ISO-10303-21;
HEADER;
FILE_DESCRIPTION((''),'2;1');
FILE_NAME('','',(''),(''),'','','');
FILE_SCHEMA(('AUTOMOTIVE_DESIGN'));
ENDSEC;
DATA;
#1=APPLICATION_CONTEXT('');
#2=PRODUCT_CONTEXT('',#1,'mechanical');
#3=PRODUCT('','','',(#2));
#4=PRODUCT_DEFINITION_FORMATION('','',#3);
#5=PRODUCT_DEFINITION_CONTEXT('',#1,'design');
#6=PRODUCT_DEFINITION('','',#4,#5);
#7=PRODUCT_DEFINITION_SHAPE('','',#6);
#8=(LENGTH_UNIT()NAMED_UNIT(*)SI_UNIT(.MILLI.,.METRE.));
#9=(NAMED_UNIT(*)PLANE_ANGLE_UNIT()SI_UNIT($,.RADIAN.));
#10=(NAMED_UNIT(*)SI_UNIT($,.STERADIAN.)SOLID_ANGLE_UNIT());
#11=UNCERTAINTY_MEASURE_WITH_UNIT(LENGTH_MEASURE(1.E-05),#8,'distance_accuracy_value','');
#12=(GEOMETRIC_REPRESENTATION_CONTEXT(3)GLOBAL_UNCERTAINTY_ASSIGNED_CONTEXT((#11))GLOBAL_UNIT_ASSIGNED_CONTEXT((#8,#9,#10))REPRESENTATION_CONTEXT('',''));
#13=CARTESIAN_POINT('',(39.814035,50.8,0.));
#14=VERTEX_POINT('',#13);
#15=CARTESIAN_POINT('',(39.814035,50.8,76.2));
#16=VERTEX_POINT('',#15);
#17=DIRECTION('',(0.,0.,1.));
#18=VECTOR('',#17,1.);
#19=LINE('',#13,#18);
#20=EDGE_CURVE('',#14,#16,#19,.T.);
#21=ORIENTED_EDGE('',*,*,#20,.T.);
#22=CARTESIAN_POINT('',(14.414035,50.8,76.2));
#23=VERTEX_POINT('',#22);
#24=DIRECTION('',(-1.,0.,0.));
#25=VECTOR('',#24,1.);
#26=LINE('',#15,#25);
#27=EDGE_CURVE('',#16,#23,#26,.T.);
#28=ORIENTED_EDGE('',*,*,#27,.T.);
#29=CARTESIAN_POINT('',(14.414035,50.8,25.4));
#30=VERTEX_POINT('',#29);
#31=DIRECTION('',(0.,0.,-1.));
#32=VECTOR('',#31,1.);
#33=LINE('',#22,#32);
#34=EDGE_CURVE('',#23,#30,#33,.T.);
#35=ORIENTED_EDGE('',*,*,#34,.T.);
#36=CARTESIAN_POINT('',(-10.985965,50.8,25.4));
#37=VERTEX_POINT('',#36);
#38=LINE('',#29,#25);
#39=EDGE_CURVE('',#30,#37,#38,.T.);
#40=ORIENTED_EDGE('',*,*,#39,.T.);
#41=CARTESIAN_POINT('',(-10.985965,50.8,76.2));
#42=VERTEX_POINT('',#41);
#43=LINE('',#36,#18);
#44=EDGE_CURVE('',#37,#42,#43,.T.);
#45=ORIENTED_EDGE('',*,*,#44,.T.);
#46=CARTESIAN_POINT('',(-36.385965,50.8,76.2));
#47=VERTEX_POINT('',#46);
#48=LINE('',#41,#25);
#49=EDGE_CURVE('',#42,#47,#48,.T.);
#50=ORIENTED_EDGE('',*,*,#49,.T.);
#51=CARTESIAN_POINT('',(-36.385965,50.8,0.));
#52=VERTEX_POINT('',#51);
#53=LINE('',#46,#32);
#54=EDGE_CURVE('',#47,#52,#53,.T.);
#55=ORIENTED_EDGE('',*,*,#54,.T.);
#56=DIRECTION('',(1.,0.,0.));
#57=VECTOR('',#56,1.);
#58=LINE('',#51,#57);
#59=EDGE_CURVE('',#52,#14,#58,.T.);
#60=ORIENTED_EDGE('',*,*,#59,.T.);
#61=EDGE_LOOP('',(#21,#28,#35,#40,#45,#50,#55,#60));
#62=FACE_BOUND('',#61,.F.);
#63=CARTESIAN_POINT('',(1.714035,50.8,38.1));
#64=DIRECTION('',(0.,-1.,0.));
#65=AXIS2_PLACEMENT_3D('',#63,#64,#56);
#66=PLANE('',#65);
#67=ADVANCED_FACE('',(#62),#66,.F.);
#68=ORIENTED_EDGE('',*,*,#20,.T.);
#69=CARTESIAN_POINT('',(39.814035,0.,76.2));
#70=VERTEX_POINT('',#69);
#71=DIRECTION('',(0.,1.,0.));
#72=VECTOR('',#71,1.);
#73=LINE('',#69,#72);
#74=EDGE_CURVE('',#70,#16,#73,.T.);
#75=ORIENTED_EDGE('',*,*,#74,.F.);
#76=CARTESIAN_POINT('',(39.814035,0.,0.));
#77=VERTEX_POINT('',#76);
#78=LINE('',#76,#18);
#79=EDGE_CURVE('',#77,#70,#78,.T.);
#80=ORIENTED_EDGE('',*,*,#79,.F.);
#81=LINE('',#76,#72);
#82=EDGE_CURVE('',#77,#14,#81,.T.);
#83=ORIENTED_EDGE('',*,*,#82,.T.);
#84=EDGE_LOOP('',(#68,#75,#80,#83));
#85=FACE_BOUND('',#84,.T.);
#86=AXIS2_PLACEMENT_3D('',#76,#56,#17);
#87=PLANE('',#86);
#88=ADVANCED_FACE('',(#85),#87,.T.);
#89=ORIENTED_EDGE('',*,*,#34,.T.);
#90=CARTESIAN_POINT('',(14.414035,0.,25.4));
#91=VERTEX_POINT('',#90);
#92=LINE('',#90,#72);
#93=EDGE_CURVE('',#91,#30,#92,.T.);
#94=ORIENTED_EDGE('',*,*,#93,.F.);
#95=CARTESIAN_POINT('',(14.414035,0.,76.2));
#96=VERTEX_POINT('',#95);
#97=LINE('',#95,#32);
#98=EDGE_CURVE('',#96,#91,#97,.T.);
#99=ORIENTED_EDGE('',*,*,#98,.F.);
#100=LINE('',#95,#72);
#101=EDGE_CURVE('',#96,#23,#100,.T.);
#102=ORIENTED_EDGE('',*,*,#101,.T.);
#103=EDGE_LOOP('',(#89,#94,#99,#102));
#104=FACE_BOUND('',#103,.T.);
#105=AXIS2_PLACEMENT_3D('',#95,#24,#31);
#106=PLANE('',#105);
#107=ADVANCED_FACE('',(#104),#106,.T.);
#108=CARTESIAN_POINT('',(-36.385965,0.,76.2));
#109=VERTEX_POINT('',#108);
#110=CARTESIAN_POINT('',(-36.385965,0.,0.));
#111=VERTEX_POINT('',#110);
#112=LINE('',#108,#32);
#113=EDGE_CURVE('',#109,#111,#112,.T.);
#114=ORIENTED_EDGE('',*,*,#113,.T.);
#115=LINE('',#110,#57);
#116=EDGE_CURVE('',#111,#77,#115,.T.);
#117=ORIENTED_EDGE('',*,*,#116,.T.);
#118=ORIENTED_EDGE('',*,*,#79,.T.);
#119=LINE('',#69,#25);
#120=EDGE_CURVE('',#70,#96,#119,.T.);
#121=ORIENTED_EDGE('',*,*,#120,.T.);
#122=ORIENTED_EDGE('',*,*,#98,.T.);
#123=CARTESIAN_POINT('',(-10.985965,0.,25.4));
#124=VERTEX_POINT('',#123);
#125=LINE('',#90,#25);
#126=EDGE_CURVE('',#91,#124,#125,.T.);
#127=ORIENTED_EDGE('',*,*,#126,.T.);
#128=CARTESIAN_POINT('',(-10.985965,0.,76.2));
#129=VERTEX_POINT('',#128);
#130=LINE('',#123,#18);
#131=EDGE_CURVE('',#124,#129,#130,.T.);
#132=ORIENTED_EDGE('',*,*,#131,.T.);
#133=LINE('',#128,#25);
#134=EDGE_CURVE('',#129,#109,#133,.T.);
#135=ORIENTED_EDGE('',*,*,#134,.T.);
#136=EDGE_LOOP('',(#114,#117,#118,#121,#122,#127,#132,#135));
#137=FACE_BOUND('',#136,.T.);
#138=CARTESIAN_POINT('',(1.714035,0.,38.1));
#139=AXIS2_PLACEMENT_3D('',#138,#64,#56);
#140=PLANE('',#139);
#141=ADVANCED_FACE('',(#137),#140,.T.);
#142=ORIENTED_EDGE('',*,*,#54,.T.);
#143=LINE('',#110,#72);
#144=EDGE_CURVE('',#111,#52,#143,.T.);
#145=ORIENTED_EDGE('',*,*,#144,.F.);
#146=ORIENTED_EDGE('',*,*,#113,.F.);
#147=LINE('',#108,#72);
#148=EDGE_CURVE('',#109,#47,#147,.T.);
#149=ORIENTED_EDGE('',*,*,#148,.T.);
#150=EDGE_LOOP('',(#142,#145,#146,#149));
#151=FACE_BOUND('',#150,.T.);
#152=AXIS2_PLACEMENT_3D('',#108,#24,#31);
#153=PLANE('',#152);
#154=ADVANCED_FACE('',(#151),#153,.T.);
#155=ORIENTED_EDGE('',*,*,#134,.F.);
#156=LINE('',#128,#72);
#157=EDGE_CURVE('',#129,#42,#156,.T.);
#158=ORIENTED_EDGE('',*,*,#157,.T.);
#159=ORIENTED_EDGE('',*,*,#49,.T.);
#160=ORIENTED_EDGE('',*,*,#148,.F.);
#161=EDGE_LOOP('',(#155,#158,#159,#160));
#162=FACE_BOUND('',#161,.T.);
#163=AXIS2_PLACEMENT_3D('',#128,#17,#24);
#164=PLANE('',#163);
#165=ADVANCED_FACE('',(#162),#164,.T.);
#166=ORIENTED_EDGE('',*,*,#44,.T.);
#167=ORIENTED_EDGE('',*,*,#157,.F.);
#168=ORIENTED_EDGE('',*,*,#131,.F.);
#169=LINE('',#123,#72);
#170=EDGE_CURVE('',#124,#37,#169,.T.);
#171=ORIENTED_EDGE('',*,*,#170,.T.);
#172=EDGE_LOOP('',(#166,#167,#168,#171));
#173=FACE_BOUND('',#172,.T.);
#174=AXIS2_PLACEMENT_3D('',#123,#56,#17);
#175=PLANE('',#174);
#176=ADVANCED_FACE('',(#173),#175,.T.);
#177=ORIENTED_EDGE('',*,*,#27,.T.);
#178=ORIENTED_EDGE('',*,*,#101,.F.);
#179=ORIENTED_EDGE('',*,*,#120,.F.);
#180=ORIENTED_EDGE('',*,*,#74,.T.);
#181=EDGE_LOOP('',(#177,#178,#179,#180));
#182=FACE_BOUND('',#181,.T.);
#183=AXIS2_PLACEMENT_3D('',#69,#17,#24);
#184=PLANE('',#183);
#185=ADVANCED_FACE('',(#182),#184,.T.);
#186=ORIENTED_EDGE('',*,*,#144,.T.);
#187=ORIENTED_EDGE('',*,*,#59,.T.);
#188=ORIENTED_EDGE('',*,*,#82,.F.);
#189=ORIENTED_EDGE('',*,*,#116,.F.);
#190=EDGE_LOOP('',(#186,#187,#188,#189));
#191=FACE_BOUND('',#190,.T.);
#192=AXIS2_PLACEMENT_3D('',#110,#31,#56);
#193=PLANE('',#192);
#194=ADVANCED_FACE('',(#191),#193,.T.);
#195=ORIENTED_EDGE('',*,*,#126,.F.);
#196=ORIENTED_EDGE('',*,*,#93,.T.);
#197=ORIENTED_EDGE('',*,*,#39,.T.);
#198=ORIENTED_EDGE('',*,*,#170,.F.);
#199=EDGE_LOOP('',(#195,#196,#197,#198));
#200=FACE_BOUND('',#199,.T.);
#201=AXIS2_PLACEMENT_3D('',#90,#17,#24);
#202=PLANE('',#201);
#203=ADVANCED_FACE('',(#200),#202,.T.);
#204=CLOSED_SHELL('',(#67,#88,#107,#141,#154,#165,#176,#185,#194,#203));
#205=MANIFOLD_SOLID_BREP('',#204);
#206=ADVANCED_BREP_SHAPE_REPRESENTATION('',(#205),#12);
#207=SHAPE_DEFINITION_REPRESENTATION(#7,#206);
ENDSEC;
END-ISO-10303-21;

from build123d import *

# Parameters (mm, degrees)
F1_DEPTH = 50.8


with BuildPart() as f1:
    # F0 (on Front) → F1 (new body)
    with BuildSketch(Plane.XZ):
        Polygon((-36.385965, 0), (39.814035, 0), (39.814035, 76.2), (14.414035, 76.2), (14.414035, 25.4), (-10.985965, 25.4), (-10.985965, 76.2), (-36.385965, 76.2), (-36.385965, 50.8), align=None)
    extrude(amount=-F1_DEPTH)


solid = f1.part
